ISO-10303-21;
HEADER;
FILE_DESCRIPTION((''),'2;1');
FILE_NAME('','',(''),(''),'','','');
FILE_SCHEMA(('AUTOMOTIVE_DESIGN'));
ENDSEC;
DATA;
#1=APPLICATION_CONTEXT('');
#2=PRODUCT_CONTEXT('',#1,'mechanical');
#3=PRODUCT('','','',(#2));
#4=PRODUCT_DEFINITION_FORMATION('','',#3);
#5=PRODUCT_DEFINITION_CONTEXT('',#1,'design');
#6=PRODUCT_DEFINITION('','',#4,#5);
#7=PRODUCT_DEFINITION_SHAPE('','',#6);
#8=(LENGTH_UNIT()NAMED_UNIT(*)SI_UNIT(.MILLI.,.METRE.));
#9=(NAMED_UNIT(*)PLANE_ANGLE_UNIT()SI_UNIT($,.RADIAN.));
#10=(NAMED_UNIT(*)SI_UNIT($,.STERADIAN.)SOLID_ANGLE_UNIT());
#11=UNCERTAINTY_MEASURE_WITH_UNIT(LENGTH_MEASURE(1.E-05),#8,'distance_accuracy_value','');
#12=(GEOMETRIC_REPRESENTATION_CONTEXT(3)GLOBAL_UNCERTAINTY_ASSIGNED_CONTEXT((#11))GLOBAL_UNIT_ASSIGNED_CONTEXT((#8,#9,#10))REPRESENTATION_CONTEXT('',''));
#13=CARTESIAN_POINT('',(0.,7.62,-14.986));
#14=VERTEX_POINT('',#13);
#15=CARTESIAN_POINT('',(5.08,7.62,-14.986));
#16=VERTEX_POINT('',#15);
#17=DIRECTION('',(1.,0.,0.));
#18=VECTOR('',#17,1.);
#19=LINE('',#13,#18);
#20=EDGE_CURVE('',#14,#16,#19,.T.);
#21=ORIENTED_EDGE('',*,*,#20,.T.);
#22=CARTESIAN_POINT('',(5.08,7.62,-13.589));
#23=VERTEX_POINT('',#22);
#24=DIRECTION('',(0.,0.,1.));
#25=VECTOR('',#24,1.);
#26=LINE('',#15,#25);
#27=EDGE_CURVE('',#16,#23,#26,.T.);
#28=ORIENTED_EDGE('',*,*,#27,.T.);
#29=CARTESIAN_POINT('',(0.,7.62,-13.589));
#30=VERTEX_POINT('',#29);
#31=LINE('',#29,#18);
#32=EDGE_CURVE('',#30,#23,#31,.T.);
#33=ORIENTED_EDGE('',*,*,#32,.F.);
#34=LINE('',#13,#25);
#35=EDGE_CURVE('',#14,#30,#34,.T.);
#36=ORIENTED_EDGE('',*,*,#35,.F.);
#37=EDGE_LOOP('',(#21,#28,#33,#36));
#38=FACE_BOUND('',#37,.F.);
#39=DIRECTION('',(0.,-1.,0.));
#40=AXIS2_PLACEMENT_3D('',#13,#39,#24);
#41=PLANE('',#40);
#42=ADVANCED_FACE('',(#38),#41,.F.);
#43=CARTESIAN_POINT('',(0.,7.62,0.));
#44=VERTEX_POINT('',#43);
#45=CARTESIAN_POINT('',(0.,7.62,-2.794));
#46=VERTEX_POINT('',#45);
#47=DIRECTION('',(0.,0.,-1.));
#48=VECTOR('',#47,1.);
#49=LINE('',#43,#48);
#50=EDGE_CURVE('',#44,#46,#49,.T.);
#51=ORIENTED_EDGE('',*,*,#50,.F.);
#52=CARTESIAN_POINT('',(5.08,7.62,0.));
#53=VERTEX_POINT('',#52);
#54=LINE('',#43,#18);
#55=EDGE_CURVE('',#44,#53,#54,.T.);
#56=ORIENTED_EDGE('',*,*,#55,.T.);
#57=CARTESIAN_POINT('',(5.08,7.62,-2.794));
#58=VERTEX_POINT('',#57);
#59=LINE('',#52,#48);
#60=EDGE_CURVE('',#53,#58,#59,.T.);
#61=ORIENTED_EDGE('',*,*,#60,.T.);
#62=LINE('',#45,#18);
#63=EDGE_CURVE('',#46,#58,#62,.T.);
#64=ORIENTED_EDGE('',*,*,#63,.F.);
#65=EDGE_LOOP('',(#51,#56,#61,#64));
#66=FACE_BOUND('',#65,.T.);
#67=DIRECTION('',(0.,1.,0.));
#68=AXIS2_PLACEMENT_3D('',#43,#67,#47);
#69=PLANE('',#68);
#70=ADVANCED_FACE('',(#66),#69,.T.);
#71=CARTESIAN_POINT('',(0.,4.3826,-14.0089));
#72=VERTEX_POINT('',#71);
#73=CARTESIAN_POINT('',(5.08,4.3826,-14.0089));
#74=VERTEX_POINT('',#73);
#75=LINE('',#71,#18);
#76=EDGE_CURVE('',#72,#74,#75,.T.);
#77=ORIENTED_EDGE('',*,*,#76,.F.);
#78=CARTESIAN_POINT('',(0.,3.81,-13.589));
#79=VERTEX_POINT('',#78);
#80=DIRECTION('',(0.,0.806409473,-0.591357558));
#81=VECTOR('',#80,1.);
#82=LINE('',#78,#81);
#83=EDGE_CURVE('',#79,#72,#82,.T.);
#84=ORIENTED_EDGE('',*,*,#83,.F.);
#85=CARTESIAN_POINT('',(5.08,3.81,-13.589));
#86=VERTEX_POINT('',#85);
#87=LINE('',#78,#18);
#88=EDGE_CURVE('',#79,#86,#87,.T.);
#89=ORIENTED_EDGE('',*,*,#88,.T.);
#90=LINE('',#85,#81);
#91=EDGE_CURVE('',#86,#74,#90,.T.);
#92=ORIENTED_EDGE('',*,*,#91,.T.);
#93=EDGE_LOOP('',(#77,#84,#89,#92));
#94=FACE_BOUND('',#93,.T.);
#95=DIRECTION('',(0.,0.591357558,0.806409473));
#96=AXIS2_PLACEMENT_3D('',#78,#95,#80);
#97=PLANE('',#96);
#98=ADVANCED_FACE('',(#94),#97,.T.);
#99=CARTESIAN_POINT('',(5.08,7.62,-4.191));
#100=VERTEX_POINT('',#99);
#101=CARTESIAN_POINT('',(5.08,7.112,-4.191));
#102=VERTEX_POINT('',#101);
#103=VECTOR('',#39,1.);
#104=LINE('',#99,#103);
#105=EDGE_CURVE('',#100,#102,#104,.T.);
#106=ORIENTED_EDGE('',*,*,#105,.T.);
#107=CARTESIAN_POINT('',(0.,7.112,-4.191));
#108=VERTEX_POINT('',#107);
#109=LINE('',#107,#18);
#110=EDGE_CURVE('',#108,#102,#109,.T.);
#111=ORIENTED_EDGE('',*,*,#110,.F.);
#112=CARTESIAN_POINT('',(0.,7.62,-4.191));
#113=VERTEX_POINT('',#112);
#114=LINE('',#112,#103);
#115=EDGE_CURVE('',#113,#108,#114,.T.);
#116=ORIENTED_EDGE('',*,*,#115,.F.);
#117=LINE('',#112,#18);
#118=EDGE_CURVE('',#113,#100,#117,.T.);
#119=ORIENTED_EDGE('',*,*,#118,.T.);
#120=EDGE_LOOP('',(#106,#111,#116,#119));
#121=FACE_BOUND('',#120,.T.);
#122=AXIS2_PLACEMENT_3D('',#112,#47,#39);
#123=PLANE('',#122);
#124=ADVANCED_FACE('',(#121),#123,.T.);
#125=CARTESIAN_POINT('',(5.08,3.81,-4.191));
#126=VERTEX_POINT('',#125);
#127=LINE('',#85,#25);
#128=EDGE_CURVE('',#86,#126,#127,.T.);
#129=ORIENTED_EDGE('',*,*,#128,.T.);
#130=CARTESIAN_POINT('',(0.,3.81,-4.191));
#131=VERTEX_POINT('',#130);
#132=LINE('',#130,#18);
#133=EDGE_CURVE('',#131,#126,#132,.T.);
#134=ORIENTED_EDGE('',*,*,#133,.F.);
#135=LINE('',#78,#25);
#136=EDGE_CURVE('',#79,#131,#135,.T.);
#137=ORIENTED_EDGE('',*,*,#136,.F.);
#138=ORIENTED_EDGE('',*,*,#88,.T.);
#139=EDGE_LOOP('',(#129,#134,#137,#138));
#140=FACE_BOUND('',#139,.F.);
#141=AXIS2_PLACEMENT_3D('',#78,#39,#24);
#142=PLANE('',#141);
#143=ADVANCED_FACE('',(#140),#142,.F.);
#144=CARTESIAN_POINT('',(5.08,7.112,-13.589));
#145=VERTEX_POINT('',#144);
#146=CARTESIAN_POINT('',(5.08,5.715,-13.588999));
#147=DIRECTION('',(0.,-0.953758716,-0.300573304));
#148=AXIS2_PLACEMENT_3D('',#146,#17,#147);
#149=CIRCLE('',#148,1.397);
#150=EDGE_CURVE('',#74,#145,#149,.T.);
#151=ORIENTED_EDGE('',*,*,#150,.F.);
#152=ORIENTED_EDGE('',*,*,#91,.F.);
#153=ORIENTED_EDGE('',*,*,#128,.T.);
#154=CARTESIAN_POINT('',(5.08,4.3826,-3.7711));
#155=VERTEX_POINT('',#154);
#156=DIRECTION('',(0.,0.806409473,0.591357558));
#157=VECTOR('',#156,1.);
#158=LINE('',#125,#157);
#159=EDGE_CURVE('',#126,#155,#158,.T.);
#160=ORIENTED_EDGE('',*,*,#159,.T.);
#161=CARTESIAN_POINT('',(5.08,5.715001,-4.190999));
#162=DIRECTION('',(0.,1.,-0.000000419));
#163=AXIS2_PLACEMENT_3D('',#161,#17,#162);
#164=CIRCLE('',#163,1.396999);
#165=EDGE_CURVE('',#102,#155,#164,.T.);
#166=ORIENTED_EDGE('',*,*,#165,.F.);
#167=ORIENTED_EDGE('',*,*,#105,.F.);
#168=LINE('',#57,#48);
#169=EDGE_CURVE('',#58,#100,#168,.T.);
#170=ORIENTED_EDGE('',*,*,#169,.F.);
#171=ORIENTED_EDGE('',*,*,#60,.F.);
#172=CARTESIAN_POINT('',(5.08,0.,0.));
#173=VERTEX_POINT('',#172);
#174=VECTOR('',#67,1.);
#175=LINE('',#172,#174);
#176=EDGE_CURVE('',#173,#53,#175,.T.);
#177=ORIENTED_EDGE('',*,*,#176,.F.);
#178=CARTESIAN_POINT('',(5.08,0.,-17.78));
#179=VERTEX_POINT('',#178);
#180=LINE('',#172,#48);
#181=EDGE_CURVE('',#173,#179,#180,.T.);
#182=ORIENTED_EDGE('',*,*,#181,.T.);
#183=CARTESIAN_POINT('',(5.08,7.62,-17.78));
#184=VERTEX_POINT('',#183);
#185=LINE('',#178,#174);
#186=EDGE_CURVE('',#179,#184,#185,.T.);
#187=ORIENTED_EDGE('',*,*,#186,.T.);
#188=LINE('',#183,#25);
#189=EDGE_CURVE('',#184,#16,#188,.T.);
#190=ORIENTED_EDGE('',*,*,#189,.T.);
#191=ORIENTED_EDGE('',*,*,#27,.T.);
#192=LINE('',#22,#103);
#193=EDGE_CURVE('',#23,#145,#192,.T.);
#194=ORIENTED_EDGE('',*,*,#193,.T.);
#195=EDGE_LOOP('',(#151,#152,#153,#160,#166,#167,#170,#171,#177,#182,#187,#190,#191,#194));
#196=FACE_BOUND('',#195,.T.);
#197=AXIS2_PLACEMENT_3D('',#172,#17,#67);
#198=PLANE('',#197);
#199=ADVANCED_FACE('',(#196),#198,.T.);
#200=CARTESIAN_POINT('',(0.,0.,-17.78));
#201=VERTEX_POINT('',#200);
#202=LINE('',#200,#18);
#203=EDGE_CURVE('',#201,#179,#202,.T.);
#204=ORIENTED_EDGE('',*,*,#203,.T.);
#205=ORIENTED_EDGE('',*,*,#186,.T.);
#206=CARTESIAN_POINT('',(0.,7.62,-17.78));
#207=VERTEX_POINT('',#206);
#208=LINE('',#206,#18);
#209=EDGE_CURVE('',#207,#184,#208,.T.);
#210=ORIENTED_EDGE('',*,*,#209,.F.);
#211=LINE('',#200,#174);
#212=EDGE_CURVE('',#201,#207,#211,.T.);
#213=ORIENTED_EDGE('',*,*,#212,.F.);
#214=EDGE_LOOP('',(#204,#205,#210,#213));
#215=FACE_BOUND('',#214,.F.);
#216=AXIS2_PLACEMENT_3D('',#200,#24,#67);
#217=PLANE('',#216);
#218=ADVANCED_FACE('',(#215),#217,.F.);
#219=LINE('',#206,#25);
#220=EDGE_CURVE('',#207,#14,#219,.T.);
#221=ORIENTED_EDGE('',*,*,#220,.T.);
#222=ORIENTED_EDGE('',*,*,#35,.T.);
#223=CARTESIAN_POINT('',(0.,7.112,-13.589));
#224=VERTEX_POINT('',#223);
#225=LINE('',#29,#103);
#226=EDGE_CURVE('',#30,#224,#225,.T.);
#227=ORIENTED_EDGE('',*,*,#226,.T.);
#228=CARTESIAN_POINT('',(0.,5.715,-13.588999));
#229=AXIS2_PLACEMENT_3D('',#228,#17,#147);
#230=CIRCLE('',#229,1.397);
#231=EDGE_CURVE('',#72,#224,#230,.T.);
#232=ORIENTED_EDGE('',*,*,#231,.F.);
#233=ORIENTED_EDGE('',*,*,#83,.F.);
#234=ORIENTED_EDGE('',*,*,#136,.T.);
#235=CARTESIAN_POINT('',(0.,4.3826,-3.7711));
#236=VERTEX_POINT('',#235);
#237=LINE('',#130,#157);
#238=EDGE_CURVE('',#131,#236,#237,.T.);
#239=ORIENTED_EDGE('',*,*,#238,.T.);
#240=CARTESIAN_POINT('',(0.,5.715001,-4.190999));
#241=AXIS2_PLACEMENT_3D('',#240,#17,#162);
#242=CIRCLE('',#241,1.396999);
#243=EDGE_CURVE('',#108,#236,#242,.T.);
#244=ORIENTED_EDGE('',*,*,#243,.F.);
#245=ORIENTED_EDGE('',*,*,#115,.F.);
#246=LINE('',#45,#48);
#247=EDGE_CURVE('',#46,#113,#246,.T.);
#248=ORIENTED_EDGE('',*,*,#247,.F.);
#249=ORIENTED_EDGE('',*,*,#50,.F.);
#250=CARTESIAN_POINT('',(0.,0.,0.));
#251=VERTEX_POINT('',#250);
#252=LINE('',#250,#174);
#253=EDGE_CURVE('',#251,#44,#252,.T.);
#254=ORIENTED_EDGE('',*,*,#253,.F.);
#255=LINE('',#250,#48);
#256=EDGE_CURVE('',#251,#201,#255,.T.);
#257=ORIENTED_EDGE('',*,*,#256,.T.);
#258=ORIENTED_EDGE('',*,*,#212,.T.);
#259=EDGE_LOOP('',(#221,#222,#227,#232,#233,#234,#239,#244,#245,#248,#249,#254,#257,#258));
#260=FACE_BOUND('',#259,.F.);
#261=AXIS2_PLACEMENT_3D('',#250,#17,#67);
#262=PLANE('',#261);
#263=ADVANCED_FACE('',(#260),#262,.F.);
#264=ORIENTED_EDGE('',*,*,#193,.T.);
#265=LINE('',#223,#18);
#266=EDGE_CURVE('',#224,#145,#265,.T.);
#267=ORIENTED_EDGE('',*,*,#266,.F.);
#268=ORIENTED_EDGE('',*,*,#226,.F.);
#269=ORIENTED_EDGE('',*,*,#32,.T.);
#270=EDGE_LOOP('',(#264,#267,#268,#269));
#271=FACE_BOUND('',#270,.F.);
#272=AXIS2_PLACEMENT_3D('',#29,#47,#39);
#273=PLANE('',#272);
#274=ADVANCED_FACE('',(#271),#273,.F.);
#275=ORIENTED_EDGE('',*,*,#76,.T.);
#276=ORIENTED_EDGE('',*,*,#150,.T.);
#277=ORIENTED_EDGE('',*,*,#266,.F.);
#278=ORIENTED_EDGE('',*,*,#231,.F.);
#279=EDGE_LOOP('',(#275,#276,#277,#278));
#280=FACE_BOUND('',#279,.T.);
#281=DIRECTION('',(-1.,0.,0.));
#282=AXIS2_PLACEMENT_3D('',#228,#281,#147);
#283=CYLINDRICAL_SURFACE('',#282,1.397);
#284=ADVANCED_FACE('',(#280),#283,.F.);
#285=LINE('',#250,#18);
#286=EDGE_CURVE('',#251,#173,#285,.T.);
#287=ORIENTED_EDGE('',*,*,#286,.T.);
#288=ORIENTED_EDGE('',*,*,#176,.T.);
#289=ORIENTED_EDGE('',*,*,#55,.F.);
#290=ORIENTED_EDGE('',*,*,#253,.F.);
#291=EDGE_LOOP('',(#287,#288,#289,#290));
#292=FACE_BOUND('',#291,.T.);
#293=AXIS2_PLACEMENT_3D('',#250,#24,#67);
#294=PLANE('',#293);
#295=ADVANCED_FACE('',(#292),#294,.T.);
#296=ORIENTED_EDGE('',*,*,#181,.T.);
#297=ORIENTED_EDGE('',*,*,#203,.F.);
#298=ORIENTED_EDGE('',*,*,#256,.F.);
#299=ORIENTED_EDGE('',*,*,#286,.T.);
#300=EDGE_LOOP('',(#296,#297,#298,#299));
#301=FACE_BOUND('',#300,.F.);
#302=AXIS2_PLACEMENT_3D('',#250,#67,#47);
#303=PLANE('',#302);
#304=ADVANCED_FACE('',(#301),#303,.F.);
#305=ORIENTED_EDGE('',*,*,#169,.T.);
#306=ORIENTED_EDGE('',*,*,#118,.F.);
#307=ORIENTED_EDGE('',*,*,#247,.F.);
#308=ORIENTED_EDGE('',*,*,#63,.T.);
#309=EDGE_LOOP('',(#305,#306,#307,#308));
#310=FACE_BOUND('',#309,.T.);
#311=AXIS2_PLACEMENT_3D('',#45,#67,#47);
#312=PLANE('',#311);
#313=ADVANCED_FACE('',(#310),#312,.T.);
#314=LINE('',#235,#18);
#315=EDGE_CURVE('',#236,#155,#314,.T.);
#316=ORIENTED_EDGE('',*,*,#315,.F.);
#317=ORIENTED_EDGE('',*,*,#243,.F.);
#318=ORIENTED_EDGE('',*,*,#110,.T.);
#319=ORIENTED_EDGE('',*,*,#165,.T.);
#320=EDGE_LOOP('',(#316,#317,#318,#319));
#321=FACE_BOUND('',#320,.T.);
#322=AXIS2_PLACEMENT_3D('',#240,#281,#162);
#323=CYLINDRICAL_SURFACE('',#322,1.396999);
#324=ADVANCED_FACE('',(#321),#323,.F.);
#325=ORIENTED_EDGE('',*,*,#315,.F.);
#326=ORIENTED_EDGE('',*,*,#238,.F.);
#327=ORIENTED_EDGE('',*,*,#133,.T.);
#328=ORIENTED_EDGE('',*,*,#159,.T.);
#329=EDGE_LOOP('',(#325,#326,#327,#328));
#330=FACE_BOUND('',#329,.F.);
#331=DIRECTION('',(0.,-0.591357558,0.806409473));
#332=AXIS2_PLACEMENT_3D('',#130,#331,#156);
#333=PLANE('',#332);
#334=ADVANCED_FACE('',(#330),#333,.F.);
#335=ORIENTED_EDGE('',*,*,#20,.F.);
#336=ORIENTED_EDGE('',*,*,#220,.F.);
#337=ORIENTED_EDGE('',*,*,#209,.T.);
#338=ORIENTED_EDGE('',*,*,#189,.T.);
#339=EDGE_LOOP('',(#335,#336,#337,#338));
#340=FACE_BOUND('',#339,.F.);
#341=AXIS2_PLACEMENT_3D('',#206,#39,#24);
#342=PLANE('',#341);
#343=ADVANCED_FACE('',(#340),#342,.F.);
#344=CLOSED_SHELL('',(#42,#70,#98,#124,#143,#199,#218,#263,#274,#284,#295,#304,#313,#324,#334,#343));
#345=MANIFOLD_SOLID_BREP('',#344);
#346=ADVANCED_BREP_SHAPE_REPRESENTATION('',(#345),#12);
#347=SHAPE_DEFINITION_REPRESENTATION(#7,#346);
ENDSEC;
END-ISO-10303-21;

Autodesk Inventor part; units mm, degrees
ref_plane "YZ Plane" through (0, 0, 0) normal (1, 0, 0) x (0, 1, 0)
ref_plane "XZ Plane" through (0, 0, 0) normal (0, 1, 0) x (-1, 0, 0)
ref_plane "XY Plane" through (0, 0, 0) normal (0, 0, 1) x (1, 0, 0)
sketch "Sketch1" plane through (0, 0, 0) normal (1, 0, 0) x (0, 1, 0)
  line L0 (0, 0) -> (0, -17.78)
  line L1 (0, -17.78) -> (7.62, -17.78)
  line L2 (7.62, -17.78) -> (7.62, -14.986)
  line L3 (0, 0) -> (7.62, 0)
  line L4 (7.62, 0) -> (7.62, -2.794)
  line L5 (3.81, -13.589) -> (3.81, -4.191)
  arc A0 (7.112, -4.191) -> (4.3826, -3.7711) centre (5.715, -4.191) ccw
  arc A1 (4.3826, -14.0089) -> (7.112, -13.589) centre (5.715, -13.589) ccw
  line L6 (7.62, -2.794) -> (7.62, -4.191)
  line L7 (7.62, -4.191) -> (7.112, -4.191)
  line L8 (7.62, -14.986) -> (7.62, -13.589)
  line L9 (7.62, -13.589) -> (7.112, -13.589)
  line L10 (3.81, -4.191) -> (4.3826, -3.7711)
  line L11 (3.81, -13.589) -> (4.3826, -14.0089)
  dimension "d3" = 17.78
  dimension "d4" = 7.62
  dimension "d6" = 2.794
extrude "Extrusion1" add sketch "Sketch1" along normal blind 5.08
equation "\"d6\" = d5"
equation "\"d5\" = 2.794"
properties part number "led_clip"
